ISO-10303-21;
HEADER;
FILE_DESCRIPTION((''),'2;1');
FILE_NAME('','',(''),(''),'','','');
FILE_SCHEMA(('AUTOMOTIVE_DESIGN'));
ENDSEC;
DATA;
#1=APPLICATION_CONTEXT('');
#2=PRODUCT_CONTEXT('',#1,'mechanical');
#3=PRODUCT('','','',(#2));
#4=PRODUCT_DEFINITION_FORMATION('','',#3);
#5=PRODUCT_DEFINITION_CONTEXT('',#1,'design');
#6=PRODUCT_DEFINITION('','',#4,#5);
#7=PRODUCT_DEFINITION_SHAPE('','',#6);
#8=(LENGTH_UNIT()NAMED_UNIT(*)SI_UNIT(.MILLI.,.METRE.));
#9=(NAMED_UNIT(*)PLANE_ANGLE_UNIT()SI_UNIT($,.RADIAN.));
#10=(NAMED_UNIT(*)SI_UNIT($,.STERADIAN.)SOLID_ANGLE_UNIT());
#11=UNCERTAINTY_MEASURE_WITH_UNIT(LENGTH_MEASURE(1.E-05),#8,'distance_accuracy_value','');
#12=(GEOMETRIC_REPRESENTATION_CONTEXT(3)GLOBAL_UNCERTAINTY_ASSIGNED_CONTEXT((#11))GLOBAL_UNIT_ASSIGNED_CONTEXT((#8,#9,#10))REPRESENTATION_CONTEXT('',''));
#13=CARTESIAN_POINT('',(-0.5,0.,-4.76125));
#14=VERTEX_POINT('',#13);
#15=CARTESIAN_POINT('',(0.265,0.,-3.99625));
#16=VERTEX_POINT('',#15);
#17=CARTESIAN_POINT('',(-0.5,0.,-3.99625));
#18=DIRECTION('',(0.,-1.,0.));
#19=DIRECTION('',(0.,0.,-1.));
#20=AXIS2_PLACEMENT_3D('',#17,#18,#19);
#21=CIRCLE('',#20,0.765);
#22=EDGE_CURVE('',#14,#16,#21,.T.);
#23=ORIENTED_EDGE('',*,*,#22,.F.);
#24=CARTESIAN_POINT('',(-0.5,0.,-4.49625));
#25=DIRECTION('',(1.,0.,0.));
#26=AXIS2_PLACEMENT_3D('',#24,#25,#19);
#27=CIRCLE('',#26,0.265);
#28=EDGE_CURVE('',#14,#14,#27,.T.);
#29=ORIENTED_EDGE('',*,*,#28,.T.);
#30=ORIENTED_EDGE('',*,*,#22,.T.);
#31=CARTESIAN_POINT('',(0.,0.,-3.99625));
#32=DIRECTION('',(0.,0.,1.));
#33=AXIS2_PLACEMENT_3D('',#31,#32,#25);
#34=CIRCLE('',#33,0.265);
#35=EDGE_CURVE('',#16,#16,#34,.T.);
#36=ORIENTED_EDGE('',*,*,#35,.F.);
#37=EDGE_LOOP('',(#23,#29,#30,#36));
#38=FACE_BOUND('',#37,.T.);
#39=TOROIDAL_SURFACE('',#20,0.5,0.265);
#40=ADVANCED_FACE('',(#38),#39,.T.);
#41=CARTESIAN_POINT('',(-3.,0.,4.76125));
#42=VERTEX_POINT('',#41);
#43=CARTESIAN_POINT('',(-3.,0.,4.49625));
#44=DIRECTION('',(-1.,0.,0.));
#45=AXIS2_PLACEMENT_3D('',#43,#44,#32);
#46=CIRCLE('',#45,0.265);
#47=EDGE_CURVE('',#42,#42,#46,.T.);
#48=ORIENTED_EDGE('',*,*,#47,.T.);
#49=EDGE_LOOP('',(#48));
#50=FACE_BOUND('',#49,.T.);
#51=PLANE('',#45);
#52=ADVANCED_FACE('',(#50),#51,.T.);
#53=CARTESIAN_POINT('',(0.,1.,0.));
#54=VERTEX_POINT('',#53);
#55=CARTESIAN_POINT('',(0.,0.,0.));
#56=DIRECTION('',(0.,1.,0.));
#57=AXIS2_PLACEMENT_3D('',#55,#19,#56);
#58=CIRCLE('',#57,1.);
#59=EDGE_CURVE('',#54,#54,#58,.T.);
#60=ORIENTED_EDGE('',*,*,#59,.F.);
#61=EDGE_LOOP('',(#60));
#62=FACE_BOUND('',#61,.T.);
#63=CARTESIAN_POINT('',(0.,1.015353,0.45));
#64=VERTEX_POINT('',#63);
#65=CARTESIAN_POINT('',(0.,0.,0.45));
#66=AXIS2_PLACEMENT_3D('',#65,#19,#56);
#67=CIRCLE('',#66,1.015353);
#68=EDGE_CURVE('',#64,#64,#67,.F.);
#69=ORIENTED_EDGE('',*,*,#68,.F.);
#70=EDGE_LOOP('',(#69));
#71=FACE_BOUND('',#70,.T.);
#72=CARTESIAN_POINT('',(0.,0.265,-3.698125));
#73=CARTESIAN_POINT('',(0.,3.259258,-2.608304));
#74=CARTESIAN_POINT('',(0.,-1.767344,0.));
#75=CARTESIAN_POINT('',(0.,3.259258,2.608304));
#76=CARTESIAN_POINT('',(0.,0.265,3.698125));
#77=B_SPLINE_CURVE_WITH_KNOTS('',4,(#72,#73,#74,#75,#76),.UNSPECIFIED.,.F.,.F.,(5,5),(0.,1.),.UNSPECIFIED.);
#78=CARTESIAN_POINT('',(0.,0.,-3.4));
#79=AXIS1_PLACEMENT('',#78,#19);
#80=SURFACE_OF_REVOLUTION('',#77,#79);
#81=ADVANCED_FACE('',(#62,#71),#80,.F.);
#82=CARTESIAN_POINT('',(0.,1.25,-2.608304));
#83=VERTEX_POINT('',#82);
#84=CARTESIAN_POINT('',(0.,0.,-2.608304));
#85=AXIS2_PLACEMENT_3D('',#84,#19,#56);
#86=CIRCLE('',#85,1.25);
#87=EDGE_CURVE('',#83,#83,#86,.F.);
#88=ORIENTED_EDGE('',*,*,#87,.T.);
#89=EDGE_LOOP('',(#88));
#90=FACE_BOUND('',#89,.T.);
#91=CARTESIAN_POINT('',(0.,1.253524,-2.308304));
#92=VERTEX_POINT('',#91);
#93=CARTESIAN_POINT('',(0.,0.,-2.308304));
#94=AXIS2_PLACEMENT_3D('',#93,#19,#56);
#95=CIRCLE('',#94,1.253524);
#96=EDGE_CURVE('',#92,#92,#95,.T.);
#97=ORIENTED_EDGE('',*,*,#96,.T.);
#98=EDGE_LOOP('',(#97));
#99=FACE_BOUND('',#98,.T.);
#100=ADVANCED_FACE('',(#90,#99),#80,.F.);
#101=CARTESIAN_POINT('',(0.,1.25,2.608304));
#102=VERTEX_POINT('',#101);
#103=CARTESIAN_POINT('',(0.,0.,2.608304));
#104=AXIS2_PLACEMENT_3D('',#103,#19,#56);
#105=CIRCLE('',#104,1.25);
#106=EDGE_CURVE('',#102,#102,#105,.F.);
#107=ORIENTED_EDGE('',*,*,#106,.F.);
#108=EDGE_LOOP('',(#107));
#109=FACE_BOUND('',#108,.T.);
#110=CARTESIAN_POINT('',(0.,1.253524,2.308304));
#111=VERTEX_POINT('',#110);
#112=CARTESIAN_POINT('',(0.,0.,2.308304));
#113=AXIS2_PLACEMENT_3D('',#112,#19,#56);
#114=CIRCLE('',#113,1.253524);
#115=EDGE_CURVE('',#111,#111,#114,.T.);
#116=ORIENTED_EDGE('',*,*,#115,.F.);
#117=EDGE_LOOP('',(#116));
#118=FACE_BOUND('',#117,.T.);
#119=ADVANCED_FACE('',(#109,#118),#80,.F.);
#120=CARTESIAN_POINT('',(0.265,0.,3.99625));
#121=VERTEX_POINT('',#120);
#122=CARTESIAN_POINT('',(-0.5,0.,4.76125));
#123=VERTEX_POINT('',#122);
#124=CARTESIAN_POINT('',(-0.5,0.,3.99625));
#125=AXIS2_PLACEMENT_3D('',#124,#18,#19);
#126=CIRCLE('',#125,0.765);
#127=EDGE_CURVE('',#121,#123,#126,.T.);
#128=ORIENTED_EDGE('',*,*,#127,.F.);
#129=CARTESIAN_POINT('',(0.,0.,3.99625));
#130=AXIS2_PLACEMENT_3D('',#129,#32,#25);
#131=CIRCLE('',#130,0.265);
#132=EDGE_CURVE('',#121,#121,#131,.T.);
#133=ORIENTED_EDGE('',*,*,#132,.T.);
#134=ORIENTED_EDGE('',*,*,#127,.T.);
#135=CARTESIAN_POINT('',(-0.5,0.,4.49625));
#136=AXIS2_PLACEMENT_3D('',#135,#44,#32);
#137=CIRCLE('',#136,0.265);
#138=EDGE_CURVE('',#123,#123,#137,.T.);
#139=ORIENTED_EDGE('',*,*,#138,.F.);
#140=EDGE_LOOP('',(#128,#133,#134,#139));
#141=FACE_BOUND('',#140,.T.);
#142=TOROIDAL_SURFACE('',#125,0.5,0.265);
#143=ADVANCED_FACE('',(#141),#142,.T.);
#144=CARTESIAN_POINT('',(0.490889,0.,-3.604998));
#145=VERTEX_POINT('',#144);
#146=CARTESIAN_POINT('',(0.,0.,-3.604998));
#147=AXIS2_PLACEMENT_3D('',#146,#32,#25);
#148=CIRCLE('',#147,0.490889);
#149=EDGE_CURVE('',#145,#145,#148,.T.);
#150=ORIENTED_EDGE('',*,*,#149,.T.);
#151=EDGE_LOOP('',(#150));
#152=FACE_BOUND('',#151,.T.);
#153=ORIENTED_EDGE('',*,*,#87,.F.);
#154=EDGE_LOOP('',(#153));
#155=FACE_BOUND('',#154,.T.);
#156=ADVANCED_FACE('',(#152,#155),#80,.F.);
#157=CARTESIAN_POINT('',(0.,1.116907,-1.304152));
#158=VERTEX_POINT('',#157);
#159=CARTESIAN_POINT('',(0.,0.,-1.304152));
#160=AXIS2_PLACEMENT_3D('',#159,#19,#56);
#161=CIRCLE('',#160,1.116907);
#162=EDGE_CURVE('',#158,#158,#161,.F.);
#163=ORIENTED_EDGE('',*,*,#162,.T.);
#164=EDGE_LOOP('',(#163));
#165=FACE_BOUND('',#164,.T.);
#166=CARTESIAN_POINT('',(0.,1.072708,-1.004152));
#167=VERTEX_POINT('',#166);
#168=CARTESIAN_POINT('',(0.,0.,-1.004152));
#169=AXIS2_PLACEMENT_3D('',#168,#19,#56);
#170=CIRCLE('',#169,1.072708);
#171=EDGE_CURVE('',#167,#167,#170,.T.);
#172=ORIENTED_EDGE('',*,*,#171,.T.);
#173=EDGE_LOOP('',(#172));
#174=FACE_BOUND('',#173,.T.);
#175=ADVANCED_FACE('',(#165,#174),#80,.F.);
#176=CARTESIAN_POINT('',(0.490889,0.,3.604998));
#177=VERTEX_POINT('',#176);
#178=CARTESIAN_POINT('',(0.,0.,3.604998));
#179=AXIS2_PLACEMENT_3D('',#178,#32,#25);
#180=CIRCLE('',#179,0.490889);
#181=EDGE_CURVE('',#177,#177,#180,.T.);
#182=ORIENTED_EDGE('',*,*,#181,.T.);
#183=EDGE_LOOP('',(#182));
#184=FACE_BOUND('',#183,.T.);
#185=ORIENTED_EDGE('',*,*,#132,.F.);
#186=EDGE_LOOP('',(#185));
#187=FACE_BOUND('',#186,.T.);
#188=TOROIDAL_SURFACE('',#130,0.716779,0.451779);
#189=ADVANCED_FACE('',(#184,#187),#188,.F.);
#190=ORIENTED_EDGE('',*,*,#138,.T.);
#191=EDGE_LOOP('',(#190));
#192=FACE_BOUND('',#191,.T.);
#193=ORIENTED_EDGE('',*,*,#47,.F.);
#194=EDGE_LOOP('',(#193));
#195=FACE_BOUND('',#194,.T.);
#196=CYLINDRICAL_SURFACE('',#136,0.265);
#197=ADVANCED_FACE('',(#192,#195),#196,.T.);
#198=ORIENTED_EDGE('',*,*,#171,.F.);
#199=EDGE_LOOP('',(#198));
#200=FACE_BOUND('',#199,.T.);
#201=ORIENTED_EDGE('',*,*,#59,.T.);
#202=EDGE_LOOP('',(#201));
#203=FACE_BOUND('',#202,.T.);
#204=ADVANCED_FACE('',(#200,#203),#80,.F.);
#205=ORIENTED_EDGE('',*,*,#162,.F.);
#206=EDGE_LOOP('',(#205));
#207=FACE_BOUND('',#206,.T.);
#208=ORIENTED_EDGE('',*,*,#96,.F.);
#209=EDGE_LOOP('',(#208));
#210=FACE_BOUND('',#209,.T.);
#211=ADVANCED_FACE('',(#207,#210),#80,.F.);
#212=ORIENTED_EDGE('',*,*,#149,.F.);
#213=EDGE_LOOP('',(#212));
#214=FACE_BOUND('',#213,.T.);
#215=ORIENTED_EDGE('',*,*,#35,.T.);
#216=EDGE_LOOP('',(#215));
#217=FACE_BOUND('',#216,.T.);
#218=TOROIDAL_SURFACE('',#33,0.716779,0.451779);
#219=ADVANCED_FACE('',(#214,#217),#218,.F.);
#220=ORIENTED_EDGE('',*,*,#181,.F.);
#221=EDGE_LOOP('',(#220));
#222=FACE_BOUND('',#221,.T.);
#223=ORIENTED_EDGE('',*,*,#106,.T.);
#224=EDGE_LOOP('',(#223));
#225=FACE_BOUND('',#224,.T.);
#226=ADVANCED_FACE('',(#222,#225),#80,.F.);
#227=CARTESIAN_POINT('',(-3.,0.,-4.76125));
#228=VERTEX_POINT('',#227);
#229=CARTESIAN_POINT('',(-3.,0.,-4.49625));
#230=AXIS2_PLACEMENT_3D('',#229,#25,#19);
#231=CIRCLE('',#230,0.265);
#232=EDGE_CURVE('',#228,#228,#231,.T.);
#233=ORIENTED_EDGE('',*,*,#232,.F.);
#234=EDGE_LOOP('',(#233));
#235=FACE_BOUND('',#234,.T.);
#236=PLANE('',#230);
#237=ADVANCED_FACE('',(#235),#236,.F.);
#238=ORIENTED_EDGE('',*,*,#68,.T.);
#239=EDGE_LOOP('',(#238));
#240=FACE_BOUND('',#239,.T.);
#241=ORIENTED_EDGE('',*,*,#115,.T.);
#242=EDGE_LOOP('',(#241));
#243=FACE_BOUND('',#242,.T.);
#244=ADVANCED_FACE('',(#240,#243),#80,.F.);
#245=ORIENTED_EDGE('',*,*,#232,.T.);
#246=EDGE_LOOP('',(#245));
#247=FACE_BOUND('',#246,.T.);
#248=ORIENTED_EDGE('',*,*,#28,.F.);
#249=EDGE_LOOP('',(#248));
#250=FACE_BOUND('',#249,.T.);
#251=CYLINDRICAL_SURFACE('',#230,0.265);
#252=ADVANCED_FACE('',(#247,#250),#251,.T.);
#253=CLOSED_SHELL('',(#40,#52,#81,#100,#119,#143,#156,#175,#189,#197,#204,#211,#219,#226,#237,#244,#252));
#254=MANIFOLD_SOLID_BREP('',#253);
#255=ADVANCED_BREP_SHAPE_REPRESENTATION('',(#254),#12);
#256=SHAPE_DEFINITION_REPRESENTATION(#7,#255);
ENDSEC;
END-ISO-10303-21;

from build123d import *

# Parameters (mm, degrees)
SKETCH2_W = 7
SKETCH2_H = 0.265
SKETCH7_R = 0.265


with BuildPart() as part:
    # Sketch2 → Revolve1 (revolve)
    with BuildSketch(Plane(origin=(0, 0, 0), x_dir=(0, 0, -1), z_dir=(1, 0, 0)), mode=Mode.PRIVATE) as revolve1_sk:
        with Locations((0, 0.1325)):
            Rectangle(SKETCH2_W, SKETCH2_H)
    revolve(revolve1_sk.sketch.rotate(Axis((0, 0, 3.5), (0, 0, -1)), 90), axis=Axis((0, 0, 3.5), (0, 0, -1)))



with BuildPart() as body_2:
    # Sketch3 → Revolve2 (revolve)
    with BuildSketch(Plane(origin=(0, 0, 0), x_dir=(0, 0, -1), z_dir=(1, 0, 0))):
        with BuildLine():
            Line((-3.698125, 0.265), (3.698125, 0.265))
            add(Edge.make_bspline(
                [(-3.698125, 0.265), (-2.608304325, 3.259257695), (0, -1.767343593), (2.608304325, 3.259257695), (3.698125, 0.265)],
                knots=[0, 0, 0, 0, 0, 1, 1, 1, 1, 1], degree=4))
        make_face()
    revolve(axis=Axis((0, 0, -3.4), (0, 0, 1)))

    # Sketch4 → Revolve3 (revolve)
    with BuildSketch(Plane(origin=(0, 0, 0), x_dir=(0, 0, -1), z_dir=(1, 0, 0)), mode=Mode.PRIVATE) as revolve3_sk:
        with BuildLine():
            Line((-3.99625, 0.265), (3.99625, 0.265))
            ThreePointArc((3.99625, 0.265), (3.770360507, 0.325526907), (3.604997921, 0.490889493))
            Line((3.604997921, 0.490889493), (-3.604997921, 0.490889493))
            ThreePointArc((-3.604997921, 0.490889493), (-3.770360507, 0.325526907), (-3.99625, 0.265))
        make_face()
    revolve(revolve3_sk.sketch.rotate(Axis((0, 0, 3.99625), (0, 0, -1)), 90), axis=Axis((0, 0, 3.99625), (0, 0, -1)))


with BuildPart() as part_1:
    add(part.part)

    add(body_2.part)  # Sweep1 merges body 2
    # Sweep1: sweep along a path in Sketch6
    with BuildLine(Plane(origin=(0, 0, 0), x_dir=(1, 0, 0), z_dir=(0, 1, 0))) as sweep1_path:
        Line((-3, -4.49625), (-0.5, -4.49625))
        ThreePointArc((-0.5, -4.49625), (-0.146446609, -4.349803391), (0, -3.99625))
        Line((0, -3.99625), (0, 3.99625))
        ThreePointArc((0, 3.99625), (-0.146446609, 4.349803391), (-0.5, 4.49625))
        Line((-0.5, 4.49625), (-3, 4.49625))
    # Sketch7 → Sweep1 (sweep)
    with BuildSketch(Plane.XY):
        Circle(SKETCH7_R)
    sweep(path=sweep1_path.line)


solid = part_1.part
